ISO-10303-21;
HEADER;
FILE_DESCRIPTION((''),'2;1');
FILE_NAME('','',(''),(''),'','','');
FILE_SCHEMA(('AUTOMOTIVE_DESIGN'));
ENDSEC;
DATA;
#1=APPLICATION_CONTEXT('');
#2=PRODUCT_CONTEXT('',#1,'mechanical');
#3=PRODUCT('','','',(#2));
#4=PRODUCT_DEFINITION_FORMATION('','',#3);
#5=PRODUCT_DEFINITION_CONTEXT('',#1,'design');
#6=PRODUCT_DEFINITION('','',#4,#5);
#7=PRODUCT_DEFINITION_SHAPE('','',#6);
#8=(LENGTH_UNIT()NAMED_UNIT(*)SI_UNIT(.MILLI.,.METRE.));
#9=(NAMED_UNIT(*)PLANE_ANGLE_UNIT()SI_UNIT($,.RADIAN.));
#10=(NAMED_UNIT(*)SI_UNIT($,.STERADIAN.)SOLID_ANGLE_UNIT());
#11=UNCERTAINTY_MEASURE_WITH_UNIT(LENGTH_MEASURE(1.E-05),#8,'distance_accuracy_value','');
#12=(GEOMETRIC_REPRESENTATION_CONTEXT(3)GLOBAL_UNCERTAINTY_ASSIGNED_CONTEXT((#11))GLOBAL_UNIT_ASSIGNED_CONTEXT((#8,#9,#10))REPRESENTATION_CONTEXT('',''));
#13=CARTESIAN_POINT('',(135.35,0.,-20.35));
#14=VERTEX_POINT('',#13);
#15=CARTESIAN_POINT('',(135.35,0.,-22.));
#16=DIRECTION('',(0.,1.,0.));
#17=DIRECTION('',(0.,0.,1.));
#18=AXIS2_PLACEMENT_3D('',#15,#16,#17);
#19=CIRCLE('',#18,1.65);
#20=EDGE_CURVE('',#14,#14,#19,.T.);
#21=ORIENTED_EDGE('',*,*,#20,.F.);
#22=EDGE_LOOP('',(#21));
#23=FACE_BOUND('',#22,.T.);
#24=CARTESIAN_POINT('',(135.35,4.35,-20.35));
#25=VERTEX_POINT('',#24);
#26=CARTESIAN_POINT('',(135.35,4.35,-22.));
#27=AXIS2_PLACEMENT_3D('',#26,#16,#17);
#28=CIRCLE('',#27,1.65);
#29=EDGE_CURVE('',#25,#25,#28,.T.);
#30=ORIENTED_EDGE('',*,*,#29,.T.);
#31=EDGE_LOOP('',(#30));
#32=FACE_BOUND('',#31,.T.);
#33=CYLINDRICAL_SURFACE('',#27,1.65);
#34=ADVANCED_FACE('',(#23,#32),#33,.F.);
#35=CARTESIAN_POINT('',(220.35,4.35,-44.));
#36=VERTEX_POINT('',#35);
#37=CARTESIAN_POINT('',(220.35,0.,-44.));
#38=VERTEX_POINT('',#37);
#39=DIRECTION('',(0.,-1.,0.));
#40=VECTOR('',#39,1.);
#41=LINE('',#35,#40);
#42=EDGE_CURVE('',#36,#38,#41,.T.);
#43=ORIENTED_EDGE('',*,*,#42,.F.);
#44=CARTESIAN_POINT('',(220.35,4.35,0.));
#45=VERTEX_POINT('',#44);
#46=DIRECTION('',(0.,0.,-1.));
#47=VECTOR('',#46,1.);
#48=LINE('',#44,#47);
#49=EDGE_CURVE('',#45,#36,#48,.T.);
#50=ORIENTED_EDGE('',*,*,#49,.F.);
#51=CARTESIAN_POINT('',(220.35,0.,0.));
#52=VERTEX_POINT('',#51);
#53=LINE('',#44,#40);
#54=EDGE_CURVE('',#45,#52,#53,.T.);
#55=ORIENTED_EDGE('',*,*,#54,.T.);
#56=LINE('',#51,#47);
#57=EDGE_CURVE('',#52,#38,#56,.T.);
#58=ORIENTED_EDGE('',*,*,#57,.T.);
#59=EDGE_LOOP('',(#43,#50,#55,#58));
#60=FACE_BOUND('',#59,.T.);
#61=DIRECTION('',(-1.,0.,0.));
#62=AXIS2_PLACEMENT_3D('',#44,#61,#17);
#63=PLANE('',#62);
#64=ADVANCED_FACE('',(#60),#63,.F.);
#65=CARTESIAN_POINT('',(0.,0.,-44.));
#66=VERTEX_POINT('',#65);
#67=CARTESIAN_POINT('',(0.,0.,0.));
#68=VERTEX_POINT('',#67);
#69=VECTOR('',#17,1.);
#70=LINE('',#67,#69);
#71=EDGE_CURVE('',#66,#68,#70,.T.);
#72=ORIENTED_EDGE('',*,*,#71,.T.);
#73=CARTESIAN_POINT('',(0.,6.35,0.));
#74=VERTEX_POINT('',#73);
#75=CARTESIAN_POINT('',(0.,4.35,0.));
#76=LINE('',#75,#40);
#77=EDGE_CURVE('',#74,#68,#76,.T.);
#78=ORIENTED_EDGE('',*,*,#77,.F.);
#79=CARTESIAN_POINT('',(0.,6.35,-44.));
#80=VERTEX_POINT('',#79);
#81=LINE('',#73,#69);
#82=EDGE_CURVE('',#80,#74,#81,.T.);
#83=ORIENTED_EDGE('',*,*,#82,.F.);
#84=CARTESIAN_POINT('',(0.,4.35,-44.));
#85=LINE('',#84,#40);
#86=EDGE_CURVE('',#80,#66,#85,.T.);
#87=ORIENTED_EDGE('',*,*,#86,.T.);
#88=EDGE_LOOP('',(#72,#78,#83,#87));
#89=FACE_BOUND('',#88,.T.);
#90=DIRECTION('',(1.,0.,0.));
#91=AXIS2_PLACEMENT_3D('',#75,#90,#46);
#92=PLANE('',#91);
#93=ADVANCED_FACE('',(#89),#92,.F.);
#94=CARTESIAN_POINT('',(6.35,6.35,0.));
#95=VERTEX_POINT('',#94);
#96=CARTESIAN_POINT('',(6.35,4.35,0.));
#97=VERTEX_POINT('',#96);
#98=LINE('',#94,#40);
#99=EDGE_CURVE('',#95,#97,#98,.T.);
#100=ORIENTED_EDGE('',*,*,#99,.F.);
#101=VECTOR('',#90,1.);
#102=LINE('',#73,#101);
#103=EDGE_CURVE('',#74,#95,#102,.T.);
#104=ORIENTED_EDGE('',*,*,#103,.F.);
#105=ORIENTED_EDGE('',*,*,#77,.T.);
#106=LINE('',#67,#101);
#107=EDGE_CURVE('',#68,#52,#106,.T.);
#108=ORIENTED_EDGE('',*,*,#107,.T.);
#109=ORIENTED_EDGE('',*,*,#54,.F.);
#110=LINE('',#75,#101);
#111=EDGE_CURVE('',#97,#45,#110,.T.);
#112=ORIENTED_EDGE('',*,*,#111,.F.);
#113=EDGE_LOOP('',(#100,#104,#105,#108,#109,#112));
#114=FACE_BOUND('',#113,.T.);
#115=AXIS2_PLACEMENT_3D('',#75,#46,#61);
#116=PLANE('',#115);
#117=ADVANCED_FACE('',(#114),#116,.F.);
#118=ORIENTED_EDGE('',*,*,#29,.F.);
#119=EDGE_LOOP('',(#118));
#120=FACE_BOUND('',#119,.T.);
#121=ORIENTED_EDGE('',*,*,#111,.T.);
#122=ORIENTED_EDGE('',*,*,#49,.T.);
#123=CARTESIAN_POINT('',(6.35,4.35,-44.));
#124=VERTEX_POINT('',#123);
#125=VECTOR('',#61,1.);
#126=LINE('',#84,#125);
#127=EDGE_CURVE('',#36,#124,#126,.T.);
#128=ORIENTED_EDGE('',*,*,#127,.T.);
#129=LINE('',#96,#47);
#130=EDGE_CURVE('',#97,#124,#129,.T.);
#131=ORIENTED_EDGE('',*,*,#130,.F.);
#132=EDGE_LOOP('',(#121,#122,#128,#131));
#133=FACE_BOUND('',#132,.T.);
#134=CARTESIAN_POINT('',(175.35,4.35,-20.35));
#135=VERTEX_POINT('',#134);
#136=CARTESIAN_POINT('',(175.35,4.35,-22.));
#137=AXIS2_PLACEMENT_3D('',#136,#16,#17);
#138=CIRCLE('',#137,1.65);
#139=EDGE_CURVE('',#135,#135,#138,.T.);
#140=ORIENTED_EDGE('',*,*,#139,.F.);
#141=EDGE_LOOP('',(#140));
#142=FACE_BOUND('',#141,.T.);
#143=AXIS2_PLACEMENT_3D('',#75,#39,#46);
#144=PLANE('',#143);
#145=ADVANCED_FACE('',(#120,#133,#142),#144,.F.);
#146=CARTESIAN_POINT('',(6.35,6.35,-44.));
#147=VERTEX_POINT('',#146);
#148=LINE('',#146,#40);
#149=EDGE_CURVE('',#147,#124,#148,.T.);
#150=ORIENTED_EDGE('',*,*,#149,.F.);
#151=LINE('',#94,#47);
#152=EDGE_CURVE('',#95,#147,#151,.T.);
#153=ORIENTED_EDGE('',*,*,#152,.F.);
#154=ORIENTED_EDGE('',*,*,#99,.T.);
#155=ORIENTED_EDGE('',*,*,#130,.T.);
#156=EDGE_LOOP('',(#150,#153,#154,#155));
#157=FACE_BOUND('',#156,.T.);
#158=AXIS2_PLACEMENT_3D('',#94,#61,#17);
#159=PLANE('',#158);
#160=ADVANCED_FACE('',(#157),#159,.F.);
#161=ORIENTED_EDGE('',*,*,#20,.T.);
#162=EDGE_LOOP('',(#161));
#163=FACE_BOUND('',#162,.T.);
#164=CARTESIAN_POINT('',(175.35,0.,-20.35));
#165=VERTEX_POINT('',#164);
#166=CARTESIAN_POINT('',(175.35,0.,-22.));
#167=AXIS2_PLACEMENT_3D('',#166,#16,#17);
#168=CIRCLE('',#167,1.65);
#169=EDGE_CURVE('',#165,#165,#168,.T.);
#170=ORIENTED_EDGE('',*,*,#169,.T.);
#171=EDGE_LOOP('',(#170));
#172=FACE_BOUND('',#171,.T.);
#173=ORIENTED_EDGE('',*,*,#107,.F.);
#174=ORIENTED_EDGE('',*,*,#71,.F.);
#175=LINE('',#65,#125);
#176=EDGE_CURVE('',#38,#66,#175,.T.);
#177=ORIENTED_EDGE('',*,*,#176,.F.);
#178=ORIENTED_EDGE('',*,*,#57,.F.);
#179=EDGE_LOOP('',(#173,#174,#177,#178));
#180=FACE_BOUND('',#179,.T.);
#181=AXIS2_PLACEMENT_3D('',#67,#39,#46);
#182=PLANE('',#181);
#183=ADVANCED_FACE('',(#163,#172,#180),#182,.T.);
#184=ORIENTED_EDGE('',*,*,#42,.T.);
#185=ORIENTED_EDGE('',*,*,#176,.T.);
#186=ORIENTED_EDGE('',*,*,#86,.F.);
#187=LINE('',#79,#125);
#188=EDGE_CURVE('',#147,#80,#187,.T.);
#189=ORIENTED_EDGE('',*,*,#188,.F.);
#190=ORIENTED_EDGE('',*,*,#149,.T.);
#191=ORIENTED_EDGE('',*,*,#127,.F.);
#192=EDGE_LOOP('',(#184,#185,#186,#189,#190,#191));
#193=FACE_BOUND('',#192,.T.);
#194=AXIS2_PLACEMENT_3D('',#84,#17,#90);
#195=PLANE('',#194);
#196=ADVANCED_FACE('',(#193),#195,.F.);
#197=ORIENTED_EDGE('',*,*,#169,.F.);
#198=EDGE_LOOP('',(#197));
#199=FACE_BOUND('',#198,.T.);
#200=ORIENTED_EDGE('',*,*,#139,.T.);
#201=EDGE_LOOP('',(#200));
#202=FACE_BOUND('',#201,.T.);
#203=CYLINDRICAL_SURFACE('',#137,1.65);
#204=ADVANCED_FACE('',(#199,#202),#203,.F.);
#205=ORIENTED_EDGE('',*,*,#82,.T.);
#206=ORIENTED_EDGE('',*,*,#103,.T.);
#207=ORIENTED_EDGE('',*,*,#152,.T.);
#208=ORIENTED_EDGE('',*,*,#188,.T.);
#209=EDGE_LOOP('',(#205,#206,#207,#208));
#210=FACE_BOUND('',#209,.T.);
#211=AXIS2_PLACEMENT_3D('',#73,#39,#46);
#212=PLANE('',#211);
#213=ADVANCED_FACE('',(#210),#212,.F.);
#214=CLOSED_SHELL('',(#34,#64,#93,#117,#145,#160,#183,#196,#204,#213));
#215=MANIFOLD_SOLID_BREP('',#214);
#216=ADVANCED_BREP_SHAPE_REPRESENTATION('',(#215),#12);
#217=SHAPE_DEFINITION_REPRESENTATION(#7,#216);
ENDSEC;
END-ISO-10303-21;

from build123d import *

# Parameters (mm, degrees)
SKETCH1_W             = 220.35
SKETCH1_H             = 44
BOSS_EXTRUDE1_DEPTH   = 4.35
SKETCH2_W             = 6.35
SKETCH2_H             = 44
BOSS_EXTRUDE2_DEPTH   = 2
M4X0_7_TAPPED_HOLE2_D = 3.3


with BuildPart() as part:
    # Sketch1 → Boss-Extrude1 (new body)
    with BuildSketch(Plane(origin=(0, 0, 0), x_dir=(1, 0, 0), z_dir=(0, 1, 0))):
        with Locations((110.175, 22)):
            Rectangle(SKETCH1_W, SKETCH1_H)
    extrude(amount=BOSS_EXTRUDE1_DEPTH)

    # Sketch2 → Boss-Extrude2 (add)
    with BuildSketch(Plane(origin=(0, 4.35, 0), x_dir=(1, 0, 0), z_dir=(0, 1, 0))):
        with Locations((3.175, 22)):
            Rectangle(SKETCH2_W, SKETCH2_H)
    extrude(amount=BOSS_EXTRUDE2_DEPTH)

    # M4x0.7 Tapped Hole2 (through all)
    with Locations(Plane(origin=(0, 4.35, 0), x_dir=(1, 0, 0), z_dir=(0, 1, 0))):
        with Locations((135.35, 22), (175.35, 22)):
            Hole(M4X0_7_TAPPED_HOLE2_D / 2)


solid = part.part
